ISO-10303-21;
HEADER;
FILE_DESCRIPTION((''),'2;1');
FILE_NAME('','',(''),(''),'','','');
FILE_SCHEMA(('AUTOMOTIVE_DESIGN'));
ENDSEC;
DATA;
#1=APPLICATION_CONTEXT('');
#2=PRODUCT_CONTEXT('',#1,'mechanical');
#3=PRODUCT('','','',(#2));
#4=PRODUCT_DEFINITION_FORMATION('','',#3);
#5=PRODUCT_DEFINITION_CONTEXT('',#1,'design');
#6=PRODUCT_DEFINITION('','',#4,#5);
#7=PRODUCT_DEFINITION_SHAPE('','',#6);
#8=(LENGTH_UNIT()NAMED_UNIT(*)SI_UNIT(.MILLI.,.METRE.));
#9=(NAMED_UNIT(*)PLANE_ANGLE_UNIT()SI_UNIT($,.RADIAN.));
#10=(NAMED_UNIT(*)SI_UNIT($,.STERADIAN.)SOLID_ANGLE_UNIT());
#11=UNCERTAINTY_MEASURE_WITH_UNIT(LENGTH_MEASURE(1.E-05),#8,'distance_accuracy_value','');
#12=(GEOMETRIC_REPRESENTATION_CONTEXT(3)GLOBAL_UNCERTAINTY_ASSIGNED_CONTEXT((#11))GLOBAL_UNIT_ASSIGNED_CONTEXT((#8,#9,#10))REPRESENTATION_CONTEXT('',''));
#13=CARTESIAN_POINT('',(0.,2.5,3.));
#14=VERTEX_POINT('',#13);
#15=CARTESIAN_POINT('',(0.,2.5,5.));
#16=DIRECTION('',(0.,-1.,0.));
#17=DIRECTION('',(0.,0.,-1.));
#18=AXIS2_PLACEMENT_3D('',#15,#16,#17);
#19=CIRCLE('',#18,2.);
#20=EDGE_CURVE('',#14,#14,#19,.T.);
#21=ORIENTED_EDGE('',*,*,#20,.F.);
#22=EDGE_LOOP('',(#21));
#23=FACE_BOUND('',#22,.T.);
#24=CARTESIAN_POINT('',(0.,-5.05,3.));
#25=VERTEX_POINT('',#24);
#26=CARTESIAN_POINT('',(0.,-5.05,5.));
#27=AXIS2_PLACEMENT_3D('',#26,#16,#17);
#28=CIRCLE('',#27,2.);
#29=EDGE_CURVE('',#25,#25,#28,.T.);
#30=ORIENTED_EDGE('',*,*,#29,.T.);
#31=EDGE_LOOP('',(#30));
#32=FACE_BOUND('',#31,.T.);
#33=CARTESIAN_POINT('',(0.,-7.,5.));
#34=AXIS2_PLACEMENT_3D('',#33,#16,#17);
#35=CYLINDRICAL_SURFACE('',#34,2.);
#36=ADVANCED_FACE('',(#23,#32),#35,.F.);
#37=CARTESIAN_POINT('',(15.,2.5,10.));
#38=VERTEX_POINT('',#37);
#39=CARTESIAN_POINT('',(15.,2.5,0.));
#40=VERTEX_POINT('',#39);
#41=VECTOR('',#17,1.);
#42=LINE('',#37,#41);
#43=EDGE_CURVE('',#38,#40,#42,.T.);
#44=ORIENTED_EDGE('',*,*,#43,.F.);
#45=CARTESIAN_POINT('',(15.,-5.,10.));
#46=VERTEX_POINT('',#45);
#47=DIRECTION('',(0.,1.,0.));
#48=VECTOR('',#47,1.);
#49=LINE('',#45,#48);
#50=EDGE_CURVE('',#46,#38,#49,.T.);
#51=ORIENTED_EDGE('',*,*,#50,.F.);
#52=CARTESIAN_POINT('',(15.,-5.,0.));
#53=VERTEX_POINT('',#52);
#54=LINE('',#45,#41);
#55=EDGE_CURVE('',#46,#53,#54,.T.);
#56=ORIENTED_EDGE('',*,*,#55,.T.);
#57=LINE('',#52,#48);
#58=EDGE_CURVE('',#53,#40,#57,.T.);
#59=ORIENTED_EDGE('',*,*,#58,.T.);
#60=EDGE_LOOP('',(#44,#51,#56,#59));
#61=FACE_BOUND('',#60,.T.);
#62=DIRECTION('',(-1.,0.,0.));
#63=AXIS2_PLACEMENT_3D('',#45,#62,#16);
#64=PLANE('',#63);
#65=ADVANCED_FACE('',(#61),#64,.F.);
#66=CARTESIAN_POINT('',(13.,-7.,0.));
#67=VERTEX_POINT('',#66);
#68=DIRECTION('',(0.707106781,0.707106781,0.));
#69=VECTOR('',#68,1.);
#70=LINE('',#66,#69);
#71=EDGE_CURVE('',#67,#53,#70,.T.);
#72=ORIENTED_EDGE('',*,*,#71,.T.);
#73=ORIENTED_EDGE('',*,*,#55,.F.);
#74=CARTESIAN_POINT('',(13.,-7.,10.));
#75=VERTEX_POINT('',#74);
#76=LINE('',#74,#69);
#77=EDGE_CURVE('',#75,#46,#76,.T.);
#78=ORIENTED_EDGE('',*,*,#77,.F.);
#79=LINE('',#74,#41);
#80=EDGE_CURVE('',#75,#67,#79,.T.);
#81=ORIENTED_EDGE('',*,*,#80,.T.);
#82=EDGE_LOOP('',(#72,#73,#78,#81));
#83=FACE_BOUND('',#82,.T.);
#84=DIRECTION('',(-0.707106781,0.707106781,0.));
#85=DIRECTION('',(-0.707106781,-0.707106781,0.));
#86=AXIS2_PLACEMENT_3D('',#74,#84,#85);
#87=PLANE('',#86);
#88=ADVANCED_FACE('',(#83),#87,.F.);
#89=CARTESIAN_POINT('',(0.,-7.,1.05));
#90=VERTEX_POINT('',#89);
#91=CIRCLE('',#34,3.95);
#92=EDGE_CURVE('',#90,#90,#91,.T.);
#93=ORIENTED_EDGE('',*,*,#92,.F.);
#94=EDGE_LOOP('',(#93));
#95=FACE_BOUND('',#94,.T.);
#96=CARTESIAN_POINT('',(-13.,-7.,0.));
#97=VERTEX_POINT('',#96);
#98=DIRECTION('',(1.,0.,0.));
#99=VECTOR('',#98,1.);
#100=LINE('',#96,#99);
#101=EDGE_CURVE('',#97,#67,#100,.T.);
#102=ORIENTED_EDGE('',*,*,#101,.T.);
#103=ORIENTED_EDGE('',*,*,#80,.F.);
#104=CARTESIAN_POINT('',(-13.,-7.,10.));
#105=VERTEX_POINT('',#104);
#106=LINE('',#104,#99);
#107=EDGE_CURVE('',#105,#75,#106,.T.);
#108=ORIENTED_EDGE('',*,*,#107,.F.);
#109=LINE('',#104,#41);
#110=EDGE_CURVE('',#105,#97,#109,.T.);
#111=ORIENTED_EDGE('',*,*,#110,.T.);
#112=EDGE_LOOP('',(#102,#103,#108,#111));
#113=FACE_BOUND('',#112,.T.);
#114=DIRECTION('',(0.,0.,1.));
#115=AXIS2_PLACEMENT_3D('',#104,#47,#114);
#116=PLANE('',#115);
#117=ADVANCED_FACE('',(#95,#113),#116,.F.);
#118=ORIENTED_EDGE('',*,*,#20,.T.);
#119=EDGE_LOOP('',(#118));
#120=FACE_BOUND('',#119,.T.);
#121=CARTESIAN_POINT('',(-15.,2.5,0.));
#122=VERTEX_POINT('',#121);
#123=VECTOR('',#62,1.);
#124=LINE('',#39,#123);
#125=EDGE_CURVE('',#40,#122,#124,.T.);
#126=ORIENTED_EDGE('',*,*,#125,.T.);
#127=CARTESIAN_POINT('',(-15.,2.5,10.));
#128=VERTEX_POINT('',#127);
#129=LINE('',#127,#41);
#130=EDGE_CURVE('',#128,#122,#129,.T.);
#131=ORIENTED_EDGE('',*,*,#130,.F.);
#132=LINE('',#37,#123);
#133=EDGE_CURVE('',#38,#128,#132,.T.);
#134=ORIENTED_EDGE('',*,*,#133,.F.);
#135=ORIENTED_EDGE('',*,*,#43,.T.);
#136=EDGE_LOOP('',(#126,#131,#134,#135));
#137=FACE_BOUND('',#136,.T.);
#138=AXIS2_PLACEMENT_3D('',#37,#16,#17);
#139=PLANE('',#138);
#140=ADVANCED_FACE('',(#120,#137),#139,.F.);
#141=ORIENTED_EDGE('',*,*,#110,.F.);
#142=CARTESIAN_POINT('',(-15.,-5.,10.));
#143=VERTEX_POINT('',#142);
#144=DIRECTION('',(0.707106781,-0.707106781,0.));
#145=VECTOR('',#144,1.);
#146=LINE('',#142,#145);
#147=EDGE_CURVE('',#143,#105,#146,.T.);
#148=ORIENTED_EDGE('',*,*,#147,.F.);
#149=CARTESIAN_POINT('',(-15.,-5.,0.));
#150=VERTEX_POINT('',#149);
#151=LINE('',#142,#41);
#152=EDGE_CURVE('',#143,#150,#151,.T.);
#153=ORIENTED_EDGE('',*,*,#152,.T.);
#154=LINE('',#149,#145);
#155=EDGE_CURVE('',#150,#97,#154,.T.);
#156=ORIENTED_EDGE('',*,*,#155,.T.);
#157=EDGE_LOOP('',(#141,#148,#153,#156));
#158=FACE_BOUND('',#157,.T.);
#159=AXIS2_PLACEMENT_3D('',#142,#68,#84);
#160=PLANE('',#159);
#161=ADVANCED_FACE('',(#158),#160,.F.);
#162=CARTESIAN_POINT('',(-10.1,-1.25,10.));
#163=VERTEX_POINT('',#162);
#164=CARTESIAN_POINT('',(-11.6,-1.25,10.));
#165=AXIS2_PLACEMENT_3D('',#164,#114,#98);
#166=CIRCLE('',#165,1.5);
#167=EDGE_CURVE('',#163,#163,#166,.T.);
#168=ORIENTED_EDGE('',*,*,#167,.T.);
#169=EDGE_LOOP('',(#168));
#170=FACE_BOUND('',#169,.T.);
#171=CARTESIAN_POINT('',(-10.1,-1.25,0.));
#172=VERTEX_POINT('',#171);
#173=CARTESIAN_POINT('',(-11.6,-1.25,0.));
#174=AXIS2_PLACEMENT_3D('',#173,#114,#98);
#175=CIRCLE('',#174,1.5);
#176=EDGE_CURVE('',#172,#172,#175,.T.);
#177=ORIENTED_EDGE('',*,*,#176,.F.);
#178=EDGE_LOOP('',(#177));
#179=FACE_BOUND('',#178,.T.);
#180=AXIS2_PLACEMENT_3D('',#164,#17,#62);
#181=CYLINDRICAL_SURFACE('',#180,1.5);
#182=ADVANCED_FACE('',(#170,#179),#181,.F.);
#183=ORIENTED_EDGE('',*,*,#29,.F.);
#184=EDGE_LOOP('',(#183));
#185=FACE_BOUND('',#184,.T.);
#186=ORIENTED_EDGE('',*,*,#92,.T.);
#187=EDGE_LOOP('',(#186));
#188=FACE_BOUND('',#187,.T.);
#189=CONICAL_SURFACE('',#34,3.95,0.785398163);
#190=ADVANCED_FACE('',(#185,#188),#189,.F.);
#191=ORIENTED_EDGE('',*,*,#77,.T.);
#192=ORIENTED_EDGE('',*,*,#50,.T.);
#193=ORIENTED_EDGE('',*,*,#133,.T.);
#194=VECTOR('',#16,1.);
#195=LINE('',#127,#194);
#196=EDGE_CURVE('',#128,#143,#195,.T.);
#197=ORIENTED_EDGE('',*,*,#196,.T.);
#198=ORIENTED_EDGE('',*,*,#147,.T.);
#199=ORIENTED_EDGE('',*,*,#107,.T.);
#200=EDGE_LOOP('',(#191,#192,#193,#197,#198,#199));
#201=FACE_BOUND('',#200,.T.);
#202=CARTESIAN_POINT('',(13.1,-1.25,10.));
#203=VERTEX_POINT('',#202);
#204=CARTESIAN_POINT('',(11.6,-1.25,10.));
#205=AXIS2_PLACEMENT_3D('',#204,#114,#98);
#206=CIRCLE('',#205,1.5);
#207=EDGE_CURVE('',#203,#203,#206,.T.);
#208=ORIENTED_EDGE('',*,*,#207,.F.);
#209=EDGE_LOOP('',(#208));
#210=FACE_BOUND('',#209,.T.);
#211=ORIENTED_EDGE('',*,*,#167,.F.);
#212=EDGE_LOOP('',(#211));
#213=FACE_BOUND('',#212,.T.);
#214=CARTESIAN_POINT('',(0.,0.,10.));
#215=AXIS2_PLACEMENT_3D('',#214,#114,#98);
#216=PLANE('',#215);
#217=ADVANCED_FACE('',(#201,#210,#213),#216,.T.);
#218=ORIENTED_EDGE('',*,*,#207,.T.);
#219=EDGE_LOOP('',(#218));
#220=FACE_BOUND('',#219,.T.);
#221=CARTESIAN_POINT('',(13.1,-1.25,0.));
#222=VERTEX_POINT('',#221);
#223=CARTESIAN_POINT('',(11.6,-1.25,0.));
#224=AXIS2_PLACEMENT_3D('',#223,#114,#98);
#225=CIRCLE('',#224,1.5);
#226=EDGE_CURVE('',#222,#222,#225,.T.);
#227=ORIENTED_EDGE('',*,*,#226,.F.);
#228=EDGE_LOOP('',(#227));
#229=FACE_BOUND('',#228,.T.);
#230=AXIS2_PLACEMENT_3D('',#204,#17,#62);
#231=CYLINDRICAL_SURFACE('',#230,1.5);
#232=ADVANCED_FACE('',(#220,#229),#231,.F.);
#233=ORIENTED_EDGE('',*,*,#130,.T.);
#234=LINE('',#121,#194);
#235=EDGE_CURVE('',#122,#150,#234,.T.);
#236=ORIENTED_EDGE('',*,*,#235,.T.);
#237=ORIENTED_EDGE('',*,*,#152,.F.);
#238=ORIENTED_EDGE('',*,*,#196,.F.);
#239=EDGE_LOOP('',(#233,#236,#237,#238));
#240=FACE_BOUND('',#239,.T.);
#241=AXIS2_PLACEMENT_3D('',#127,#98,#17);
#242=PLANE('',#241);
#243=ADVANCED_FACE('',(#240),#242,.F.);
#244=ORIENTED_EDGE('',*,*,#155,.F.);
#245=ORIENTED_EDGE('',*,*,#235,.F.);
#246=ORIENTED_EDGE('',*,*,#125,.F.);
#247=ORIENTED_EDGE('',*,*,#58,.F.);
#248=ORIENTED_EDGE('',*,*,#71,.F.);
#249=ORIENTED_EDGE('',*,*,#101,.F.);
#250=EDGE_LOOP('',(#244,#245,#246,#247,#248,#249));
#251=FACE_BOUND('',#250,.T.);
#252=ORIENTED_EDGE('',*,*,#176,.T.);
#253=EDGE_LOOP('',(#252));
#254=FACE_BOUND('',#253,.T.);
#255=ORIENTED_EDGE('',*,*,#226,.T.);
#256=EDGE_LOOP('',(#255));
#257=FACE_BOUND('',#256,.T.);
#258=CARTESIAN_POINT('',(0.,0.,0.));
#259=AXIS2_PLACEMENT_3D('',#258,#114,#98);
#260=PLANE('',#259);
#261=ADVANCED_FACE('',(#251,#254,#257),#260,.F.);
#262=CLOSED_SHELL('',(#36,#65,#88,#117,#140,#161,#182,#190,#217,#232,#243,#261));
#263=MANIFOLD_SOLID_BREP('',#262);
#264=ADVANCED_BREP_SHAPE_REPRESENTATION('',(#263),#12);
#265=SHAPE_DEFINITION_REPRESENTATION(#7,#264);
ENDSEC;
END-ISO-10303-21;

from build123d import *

# Parameters (mm, degrees)
SKETCH1_R                     = 1.5
BOSS_EXTRUDE1_DEPTH           = 10
CSK_FOR_M4_SFHCS1_D           = 4
CSK_FOR_M4_SFHCS1_DEPTH       = 19
CSK_FOR_M4_SFHCS1_CSINK_D     = 7.9
CSK_FOR_M4_SFHCS1_CSINK_ANGLE = 90
CSK_FOR_M4_SFHCS1_TIP         = 1.201721238


with BuildPart() as part:
    # Sketch1 → Boss-Extrude1 (new body)
    with BuildSketch(Plane.XY):
        Polygon((-15, 2.5), (-15, -5), (-13, -7), (13, -7), (15, -5), (15, 2.5), align=None)
        with Locations((11.6, -1.25)):
            Circle(SKETCH1_R, mode=Mode.SUBTRACT)
        with Locations((-11.6, -1.25)):
            Circle(SKETCH1_R, mode=Mode.SUBTRACT)
    extrude(amount=BOSS_EXTRUDE1_DEPTH)

    # CSK for M4 SFHCS1
    with Locations(Plane(origin=(1278.247292614, -7, -931.083024415), x_dir=(1, 0, 0), z_dir=(0, -1, 0))):
        with Locations((-1278.247292614, 936.083024415)):
            CounterSinkHole(CSK_FOR_M4_SFHCS1_D / 2, CSK_FOR_M4_SFHCS1_CSINK_D / 2, depth=CSK_FOR_M4_SFHCS1_DEPTH, counter_sink_angle=CSK_FOR_M4_SFHCS1_CSINK_ANGLE)
            with Locations((0, 0, -(CSK_FOR_M4_SFHCS1_DEPTH + CSK_FOR_M4_SFHCS1_TIP / 2))):  # 118° drill point
                Cone(0, CSK_FOR_M4_SFHCS1_D / 2, CSK_FOR_M4_SFHCS1_TIP, mode=Mode.SUBTRACT)


solid = part.part
